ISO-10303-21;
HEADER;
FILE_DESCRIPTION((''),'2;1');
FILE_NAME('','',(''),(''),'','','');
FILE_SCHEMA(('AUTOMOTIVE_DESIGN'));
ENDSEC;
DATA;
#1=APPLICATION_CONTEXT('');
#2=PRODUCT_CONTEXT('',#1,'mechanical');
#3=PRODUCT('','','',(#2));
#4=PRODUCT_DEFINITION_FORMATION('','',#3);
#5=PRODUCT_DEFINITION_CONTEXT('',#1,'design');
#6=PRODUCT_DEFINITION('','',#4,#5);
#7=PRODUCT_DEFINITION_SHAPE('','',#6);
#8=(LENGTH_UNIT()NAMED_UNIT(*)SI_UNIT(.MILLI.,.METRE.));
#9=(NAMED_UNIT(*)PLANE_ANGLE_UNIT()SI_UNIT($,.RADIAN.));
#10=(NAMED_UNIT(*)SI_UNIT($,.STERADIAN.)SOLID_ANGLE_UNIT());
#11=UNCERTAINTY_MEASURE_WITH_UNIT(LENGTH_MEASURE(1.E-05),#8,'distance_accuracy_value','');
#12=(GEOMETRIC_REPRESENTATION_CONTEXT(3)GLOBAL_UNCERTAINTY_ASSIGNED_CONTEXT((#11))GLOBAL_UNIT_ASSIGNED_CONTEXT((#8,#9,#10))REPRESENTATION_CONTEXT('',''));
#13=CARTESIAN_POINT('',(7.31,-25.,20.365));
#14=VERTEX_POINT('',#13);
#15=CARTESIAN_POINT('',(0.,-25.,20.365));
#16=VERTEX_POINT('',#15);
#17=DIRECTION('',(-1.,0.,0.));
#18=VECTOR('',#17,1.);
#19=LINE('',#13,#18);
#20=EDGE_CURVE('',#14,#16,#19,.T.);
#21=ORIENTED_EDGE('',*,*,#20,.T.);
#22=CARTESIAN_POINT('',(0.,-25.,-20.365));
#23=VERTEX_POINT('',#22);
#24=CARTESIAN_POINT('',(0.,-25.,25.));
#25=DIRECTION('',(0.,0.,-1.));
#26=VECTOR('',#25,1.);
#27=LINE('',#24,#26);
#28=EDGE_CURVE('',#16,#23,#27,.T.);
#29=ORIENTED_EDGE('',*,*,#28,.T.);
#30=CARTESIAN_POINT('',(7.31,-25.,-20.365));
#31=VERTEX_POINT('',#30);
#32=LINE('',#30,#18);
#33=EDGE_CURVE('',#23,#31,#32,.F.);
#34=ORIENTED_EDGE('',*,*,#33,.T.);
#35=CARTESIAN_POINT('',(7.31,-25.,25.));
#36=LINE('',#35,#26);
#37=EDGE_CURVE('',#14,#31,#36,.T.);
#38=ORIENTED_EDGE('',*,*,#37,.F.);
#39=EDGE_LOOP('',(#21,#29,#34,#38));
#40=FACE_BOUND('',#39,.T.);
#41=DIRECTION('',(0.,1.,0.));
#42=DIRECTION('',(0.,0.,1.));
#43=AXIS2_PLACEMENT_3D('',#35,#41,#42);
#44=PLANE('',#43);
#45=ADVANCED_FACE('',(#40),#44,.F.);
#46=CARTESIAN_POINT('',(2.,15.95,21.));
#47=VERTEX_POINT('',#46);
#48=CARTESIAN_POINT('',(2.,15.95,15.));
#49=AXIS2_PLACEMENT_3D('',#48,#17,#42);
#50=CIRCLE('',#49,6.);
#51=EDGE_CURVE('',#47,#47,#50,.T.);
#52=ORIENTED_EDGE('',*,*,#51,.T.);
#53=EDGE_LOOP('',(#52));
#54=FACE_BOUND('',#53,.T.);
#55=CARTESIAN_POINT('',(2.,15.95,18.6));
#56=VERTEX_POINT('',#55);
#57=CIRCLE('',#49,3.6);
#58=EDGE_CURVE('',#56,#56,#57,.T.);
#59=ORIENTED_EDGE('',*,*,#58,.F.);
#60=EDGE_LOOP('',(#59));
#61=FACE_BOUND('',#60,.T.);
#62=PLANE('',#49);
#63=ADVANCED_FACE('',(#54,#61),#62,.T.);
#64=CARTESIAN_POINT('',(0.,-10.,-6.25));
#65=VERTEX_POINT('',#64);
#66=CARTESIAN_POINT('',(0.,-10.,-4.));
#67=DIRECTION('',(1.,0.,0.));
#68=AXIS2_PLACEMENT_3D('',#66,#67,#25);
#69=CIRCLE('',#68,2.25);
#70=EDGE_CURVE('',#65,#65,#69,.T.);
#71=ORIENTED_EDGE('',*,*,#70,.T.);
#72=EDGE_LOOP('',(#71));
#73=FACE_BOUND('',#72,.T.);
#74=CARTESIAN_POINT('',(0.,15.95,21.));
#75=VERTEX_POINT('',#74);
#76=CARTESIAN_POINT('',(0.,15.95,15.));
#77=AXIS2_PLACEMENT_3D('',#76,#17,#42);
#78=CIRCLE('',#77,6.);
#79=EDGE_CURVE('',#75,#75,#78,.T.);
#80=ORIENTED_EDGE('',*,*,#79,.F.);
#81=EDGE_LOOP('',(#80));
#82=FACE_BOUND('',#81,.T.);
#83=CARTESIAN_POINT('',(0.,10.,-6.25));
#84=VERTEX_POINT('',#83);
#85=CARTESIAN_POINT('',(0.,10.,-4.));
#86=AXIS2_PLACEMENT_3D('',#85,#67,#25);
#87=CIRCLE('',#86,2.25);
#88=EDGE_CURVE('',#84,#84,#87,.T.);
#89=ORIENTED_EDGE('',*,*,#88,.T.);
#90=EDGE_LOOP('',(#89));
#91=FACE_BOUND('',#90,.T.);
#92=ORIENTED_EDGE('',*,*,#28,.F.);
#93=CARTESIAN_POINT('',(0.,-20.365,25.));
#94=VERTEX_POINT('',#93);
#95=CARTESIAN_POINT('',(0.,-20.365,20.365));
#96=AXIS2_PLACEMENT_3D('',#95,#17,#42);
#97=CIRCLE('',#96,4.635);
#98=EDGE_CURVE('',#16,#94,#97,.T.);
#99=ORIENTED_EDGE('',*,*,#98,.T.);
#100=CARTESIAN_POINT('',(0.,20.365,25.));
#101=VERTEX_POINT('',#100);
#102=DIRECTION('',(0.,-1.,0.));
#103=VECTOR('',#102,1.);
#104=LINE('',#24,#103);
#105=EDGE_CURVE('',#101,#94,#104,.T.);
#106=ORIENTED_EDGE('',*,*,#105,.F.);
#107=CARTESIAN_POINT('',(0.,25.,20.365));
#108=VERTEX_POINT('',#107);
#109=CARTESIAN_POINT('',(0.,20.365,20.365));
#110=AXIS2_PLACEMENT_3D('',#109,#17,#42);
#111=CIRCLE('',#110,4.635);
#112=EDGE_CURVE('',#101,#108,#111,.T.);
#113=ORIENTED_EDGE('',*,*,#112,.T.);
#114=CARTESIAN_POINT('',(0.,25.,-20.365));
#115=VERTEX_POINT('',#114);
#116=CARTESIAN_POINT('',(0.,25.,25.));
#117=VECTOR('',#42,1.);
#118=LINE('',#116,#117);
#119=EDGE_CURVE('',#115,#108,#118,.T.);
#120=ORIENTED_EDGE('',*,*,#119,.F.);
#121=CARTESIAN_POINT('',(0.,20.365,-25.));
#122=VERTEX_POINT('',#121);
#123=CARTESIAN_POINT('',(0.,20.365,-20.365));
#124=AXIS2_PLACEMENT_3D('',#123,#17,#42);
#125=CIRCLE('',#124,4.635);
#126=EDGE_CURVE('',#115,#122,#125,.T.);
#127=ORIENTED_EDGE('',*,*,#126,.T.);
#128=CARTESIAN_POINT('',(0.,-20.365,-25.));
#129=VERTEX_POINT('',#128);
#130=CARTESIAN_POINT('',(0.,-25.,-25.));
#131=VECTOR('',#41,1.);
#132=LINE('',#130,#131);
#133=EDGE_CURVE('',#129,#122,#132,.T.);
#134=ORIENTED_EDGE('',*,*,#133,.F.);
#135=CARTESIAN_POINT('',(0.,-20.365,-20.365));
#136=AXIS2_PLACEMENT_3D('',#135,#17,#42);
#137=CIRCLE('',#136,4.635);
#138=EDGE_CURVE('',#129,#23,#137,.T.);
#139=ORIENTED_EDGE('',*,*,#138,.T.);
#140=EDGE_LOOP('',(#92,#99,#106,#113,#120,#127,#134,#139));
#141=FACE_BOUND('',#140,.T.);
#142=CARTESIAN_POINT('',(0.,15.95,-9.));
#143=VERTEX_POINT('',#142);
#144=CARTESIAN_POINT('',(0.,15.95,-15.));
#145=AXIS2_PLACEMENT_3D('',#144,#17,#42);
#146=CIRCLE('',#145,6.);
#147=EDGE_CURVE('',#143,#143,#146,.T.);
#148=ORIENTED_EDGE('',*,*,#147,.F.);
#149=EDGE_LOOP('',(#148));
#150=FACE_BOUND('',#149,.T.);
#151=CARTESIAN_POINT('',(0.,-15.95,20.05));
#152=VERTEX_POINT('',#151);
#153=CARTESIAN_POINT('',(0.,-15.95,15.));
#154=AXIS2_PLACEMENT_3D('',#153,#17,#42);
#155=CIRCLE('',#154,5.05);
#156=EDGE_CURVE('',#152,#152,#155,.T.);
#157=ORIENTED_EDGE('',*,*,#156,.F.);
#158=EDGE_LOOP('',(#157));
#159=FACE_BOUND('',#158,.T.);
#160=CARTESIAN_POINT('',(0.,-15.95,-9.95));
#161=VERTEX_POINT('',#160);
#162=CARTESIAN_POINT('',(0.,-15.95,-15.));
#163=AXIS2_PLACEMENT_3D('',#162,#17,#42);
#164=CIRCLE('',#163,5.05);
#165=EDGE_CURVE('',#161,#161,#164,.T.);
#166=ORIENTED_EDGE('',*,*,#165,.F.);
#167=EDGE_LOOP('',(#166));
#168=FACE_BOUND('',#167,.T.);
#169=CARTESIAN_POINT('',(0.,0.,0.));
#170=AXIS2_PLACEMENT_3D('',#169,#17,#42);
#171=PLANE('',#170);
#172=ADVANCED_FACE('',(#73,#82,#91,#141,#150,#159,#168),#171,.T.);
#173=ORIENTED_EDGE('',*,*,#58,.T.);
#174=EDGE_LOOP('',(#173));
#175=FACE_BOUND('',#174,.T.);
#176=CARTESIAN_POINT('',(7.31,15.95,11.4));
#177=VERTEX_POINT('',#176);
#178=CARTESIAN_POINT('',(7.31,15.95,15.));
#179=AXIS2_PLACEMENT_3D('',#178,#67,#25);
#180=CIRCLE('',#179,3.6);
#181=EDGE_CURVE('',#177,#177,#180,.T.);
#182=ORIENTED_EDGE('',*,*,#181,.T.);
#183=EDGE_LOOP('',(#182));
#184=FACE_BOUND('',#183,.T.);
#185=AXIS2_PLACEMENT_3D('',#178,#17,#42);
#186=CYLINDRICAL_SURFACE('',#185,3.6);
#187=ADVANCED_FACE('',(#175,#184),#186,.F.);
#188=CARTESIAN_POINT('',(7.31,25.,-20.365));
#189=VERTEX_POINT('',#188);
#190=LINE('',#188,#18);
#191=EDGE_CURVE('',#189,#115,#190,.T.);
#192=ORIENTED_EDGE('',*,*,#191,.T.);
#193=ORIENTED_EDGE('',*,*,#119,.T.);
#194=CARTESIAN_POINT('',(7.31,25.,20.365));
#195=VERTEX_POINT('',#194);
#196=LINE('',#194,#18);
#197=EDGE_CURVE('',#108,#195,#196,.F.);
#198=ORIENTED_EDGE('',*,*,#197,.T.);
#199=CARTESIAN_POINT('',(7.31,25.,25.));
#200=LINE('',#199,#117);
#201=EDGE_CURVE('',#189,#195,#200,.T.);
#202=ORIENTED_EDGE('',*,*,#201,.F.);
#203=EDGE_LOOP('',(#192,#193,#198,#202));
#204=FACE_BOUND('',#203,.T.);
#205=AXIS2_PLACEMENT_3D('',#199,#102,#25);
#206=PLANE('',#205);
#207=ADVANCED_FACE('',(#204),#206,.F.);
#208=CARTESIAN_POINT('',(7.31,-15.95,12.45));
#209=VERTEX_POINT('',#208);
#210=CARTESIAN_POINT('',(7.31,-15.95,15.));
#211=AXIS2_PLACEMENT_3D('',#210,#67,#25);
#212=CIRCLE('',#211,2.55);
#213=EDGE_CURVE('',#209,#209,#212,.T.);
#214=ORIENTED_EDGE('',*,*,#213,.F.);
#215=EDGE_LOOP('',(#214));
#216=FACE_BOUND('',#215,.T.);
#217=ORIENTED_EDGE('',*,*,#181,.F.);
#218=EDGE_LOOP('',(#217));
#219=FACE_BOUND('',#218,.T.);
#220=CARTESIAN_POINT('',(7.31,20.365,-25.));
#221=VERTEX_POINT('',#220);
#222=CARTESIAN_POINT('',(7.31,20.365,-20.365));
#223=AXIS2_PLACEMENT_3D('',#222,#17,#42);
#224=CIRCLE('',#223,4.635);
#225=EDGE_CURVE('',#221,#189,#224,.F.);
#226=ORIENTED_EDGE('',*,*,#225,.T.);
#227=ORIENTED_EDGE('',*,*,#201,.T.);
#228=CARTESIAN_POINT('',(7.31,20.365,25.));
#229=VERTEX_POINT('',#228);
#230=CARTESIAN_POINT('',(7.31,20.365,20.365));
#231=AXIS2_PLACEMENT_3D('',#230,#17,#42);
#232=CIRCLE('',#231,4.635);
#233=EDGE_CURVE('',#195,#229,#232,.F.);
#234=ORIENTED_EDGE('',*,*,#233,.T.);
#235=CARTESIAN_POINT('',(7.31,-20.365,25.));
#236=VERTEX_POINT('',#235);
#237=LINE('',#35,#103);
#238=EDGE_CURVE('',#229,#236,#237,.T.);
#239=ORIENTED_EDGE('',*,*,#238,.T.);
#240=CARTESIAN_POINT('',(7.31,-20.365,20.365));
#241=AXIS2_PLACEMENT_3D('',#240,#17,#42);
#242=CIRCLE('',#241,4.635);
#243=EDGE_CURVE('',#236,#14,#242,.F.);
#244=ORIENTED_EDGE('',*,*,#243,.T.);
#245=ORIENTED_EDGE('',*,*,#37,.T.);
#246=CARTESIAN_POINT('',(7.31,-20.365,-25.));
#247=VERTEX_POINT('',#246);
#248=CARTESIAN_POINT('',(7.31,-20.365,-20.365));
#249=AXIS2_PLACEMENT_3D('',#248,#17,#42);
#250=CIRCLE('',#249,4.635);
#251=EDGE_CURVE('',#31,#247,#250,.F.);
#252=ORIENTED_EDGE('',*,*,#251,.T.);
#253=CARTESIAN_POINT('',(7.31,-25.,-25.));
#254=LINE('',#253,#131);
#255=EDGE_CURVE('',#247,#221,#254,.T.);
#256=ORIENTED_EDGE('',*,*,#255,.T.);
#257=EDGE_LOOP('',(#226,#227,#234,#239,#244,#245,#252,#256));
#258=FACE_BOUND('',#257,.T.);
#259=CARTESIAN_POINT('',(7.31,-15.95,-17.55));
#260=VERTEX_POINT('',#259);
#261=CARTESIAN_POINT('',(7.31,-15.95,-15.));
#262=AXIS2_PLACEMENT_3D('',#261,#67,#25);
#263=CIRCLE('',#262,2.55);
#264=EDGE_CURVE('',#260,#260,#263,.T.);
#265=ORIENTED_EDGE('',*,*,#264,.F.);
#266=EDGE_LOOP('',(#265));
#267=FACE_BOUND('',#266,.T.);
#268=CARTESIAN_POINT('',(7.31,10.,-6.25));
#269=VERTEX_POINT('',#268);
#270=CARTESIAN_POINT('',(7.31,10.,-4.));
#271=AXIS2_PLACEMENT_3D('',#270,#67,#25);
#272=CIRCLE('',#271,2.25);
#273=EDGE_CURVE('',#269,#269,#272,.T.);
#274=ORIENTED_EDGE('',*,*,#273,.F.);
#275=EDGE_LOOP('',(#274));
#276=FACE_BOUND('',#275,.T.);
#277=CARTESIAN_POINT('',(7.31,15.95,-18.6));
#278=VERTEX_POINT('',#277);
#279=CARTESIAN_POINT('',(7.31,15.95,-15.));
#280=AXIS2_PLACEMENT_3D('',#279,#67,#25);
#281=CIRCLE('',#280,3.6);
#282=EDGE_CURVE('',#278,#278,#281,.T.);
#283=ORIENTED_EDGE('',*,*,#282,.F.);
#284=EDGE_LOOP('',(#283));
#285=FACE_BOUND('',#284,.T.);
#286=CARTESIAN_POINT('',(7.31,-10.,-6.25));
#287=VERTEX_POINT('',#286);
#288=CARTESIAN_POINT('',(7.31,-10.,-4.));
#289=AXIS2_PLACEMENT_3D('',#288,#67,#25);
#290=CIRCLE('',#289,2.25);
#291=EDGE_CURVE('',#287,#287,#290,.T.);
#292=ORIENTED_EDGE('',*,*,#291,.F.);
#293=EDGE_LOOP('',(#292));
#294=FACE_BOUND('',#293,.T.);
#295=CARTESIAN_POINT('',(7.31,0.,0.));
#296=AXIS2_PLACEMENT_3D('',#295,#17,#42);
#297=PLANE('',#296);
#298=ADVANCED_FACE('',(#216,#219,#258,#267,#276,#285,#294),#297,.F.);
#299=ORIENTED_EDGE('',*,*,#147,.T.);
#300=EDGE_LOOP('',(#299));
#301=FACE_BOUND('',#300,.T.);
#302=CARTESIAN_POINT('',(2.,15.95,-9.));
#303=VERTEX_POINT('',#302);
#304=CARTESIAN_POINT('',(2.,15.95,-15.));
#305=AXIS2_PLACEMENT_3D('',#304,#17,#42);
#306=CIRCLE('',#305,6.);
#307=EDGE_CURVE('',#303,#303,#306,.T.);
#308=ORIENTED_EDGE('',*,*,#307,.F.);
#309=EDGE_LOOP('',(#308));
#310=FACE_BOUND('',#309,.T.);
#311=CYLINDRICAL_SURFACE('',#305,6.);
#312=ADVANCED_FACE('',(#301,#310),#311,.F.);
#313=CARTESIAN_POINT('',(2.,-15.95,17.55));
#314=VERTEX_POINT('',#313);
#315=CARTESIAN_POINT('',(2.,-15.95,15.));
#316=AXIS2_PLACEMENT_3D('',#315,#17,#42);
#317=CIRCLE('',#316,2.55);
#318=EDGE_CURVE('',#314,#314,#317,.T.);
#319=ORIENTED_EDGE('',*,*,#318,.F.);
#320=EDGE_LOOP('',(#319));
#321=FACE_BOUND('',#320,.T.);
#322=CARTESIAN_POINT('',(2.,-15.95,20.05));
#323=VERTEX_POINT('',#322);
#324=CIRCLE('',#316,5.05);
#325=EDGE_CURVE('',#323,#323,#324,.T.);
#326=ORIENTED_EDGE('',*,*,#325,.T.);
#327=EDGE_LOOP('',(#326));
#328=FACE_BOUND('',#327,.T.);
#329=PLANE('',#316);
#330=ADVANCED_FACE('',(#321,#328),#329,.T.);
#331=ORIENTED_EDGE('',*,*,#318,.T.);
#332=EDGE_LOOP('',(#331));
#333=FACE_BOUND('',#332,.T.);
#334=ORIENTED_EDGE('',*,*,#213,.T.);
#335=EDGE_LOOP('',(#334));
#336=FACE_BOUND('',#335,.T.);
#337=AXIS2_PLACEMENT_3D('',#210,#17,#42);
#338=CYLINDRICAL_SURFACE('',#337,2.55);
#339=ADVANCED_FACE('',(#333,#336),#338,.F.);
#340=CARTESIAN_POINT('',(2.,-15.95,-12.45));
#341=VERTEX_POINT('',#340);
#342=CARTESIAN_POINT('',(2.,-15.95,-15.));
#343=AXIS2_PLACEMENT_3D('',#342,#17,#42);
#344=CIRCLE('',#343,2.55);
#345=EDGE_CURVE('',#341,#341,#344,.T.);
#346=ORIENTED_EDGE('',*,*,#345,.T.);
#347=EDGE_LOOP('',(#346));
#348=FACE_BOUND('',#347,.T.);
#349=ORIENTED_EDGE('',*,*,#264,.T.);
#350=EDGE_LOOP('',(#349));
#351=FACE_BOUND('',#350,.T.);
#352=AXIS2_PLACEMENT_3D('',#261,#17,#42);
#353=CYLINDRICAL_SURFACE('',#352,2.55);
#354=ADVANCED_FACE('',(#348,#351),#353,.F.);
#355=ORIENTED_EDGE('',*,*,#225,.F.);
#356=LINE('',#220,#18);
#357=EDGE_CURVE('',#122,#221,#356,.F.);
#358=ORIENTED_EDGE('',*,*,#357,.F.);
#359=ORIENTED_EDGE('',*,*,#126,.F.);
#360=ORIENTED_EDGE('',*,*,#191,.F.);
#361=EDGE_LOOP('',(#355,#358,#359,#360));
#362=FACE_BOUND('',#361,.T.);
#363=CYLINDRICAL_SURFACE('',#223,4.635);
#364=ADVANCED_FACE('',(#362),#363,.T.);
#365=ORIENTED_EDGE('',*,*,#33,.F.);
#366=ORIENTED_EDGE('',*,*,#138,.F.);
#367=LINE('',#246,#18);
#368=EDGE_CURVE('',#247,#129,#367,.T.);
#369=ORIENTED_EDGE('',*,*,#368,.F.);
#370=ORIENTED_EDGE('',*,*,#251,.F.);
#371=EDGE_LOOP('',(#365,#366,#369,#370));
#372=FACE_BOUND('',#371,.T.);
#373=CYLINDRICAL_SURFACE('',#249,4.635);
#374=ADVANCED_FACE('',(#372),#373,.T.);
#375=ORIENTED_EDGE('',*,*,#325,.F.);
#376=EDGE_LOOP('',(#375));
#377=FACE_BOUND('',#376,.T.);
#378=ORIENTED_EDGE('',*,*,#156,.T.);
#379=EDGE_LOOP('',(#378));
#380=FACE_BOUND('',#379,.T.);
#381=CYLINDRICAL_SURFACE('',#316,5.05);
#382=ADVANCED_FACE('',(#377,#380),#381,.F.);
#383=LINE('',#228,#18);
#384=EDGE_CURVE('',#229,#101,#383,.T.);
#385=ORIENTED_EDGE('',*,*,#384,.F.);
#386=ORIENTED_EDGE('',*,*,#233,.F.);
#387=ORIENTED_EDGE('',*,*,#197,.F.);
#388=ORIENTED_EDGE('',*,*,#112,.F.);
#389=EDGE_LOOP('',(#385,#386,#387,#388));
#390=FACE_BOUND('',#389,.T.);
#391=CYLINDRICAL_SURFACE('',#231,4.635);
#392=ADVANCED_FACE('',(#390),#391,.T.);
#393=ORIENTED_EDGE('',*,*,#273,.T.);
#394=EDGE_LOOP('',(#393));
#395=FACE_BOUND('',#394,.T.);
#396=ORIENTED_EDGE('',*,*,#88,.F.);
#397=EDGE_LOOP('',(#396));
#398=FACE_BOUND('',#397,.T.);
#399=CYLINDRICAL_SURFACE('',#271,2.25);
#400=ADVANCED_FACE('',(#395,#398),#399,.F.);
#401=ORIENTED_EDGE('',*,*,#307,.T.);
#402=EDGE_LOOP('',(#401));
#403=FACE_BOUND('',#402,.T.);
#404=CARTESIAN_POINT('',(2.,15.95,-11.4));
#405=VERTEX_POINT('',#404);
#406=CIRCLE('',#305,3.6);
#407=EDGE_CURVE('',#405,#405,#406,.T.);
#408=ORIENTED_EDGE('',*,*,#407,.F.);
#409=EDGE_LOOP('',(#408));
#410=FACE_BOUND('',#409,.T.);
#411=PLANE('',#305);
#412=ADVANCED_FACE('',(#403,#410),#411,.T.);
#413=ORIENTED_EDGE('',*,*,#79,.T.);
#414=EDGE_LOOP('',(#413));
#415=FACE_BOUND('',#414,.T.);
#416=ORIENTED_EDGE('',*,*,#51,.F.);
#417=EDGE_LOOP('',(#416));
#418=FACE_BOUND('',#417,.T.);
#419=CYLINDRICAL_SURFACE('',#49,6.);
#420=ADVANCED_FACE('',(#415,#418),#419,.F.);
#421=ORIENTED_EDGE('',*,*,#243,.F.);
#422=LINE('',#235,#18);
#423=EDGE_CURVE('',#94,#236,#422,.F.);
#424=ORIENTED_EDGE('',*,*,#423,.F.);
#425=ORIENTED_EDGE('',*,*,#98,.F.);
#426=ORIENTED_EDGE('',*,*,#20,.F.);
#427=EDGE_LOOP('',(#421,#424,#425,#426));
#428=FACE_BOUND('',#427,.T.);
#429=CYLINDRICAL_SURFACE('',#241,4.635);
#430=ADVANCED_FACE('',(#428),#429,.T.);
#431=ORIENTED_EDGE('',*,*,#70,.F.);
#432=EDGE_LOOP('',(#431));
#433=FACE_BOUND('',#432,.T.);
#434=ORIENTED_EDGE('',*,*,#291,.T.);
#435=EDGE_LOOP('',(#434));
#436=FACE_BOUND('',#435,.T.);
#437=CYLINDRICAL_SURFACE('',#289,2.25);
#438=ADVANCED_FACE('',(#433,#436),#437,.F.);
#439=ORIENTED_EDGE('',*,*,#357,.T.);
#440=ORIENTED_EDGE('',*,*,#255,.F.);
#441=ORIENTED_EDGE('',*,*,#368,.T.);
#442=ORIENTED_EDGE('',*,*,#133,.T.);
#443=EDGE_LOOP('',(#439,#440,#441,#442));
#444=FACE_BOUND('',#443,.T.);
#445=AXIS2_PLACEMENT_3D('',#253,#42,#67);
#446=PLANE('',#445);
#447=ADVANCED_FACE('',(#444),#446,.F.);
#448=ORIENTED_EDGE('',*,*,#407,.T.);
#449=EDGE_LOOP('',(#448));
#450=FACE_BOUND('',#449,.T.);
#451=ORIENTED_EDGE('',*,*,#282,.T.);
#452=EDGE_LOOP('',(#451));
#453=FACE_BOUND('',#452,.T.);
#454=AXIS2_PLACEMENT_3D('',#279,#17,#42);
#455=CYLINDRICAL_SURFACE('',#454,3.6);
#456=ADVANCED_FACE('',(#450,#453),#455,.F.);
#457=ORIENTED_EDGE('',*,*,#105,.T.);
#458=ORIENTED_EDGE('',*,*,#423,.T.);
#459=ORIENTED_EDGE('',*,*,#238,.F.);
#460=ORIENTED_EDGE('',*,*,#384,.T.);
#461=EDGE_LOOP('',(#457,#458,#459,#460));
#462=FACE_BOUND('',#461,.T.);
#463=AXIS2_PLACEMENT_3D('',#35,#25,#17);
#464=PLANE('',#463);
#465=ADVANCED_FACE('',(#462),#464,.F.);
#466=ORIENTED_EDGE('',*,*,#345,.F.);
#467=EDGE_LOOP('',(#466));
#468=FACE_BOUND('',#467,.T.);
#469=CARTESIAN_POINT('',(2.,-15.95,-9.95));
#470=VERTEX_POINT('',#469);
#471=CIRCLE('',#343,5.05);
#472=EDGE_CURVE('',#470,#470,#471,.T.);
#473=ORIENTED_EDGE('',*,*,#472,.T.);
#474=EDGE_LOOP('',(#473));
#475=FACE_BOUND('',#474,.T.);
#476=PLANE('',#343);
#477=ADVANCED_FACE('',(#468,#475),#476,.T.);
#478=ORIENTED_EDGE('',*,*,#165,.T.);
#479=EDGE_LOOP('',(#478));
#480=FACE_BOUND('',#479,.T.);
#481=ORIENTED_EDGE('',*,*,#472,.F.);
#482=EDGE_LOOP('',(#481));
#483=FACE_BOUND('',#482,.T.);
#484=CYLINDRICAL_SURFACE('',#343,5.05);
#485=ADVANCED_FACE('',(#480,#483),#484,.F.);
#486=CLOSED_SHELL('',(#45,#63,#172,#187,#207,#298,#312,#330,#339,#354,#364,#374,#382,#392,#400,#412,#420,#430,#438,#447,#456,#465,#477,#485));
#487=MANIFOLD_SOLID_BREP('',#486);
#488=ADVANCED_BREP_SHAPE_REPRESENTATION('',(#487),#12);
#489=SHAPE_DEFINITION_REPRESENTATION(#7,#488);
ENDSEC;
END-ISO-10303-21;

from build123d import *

# Parameters (mm, degrees)
SKETCH2_W            = 50
SKETCH2_H            = 50
BOSS_EXTRUDE1_DEPTH  = 7.31
SKETCH6_R            = 3.6
SKETCH6_R_2          = 2.55
CUT_EXTRUDE2_DEPTH   = 8.31
SKETCH7_R            = 5.05
SKETCH7_R_2          = 6
CUT_EXTRUDE3_DEPTH   = 2
M4_CLEARANCE_HOLE1_D = 4.5
FILLET1_R            = 4.635


with BuildPart() as part:
    # Sketch2 → Boss-Extrude1 (new body)
    with BuildSketch(Plane(origin=(0, 0, 0), x_dir=(0, 0, -1), z_dir=(1, 0, 0))):
        Rectangle(SKETCH2_W, SKETCH2_H)
    extrude(amount=BOSS_EXTRUDE1_DEPTH)

    # Sketch6 → Cut-Extrude2 (cut, through all)
    with BuildSketch(Plane(origin=(0, 0, 0), x_dir=(0, 0, -1), z_dir=(1, 0, 0))):
        with Locations((-15, 15.95)):
            Circle(SKETCH6_R)
        with Locations((15, 15.95)):
            Circle(SKETCH6_R)
        with Locations((-15, -15.95)):
            Circle(SKETCH6_R_2)
        with Locations((15, -15.95)):
            Circle(SKETCH6_R_2)
    extrude(amount=CUT_EXTRUDE2_DEPTH, mode=Mode.SUBTRACT)

    # Sketch7 → Cut-Extrude3 (cut)
    with BuildSketch(Plane.ZY):
        with Locations((-15, -15.95)):
            Circle(SKETCH7_R)
        with Locations((15, -15.95)):
            Circle(SKETCH7_R)
        with Locations((-15, 15.95)):
            Circle(SKETCH7_R_2)
        with Locations((15, 15.95)):
            Circle(SKETCH7_R_2)
    extrude(amount=-CUT_EXTRUDE3_DEPTH, mode=Mode.SUBTRACT)

    # M4 Clearance Hole1 (through all)
    with Locations(Plane(origin=(7.31, 0, 0), x_dir=(0, 0, -1), z_dir=(1, 0, 0))):
        with Locations((4, -10), (4, 10)):
            Hole(M4_CLEARANCE_HOLE1_D / 2)

    # Fillet1
    fillet1_edges = [part.edges().sort_by_distance(p)[0] for p in [
        (3.655, -25, -25),
        (3.655, -25, 25),
        (3.655, 25, 25),
        (3.655, 25, -25),
    ]]
    fillet(fillet1_edges, radius=FILLET1_R)


solid = part.part
